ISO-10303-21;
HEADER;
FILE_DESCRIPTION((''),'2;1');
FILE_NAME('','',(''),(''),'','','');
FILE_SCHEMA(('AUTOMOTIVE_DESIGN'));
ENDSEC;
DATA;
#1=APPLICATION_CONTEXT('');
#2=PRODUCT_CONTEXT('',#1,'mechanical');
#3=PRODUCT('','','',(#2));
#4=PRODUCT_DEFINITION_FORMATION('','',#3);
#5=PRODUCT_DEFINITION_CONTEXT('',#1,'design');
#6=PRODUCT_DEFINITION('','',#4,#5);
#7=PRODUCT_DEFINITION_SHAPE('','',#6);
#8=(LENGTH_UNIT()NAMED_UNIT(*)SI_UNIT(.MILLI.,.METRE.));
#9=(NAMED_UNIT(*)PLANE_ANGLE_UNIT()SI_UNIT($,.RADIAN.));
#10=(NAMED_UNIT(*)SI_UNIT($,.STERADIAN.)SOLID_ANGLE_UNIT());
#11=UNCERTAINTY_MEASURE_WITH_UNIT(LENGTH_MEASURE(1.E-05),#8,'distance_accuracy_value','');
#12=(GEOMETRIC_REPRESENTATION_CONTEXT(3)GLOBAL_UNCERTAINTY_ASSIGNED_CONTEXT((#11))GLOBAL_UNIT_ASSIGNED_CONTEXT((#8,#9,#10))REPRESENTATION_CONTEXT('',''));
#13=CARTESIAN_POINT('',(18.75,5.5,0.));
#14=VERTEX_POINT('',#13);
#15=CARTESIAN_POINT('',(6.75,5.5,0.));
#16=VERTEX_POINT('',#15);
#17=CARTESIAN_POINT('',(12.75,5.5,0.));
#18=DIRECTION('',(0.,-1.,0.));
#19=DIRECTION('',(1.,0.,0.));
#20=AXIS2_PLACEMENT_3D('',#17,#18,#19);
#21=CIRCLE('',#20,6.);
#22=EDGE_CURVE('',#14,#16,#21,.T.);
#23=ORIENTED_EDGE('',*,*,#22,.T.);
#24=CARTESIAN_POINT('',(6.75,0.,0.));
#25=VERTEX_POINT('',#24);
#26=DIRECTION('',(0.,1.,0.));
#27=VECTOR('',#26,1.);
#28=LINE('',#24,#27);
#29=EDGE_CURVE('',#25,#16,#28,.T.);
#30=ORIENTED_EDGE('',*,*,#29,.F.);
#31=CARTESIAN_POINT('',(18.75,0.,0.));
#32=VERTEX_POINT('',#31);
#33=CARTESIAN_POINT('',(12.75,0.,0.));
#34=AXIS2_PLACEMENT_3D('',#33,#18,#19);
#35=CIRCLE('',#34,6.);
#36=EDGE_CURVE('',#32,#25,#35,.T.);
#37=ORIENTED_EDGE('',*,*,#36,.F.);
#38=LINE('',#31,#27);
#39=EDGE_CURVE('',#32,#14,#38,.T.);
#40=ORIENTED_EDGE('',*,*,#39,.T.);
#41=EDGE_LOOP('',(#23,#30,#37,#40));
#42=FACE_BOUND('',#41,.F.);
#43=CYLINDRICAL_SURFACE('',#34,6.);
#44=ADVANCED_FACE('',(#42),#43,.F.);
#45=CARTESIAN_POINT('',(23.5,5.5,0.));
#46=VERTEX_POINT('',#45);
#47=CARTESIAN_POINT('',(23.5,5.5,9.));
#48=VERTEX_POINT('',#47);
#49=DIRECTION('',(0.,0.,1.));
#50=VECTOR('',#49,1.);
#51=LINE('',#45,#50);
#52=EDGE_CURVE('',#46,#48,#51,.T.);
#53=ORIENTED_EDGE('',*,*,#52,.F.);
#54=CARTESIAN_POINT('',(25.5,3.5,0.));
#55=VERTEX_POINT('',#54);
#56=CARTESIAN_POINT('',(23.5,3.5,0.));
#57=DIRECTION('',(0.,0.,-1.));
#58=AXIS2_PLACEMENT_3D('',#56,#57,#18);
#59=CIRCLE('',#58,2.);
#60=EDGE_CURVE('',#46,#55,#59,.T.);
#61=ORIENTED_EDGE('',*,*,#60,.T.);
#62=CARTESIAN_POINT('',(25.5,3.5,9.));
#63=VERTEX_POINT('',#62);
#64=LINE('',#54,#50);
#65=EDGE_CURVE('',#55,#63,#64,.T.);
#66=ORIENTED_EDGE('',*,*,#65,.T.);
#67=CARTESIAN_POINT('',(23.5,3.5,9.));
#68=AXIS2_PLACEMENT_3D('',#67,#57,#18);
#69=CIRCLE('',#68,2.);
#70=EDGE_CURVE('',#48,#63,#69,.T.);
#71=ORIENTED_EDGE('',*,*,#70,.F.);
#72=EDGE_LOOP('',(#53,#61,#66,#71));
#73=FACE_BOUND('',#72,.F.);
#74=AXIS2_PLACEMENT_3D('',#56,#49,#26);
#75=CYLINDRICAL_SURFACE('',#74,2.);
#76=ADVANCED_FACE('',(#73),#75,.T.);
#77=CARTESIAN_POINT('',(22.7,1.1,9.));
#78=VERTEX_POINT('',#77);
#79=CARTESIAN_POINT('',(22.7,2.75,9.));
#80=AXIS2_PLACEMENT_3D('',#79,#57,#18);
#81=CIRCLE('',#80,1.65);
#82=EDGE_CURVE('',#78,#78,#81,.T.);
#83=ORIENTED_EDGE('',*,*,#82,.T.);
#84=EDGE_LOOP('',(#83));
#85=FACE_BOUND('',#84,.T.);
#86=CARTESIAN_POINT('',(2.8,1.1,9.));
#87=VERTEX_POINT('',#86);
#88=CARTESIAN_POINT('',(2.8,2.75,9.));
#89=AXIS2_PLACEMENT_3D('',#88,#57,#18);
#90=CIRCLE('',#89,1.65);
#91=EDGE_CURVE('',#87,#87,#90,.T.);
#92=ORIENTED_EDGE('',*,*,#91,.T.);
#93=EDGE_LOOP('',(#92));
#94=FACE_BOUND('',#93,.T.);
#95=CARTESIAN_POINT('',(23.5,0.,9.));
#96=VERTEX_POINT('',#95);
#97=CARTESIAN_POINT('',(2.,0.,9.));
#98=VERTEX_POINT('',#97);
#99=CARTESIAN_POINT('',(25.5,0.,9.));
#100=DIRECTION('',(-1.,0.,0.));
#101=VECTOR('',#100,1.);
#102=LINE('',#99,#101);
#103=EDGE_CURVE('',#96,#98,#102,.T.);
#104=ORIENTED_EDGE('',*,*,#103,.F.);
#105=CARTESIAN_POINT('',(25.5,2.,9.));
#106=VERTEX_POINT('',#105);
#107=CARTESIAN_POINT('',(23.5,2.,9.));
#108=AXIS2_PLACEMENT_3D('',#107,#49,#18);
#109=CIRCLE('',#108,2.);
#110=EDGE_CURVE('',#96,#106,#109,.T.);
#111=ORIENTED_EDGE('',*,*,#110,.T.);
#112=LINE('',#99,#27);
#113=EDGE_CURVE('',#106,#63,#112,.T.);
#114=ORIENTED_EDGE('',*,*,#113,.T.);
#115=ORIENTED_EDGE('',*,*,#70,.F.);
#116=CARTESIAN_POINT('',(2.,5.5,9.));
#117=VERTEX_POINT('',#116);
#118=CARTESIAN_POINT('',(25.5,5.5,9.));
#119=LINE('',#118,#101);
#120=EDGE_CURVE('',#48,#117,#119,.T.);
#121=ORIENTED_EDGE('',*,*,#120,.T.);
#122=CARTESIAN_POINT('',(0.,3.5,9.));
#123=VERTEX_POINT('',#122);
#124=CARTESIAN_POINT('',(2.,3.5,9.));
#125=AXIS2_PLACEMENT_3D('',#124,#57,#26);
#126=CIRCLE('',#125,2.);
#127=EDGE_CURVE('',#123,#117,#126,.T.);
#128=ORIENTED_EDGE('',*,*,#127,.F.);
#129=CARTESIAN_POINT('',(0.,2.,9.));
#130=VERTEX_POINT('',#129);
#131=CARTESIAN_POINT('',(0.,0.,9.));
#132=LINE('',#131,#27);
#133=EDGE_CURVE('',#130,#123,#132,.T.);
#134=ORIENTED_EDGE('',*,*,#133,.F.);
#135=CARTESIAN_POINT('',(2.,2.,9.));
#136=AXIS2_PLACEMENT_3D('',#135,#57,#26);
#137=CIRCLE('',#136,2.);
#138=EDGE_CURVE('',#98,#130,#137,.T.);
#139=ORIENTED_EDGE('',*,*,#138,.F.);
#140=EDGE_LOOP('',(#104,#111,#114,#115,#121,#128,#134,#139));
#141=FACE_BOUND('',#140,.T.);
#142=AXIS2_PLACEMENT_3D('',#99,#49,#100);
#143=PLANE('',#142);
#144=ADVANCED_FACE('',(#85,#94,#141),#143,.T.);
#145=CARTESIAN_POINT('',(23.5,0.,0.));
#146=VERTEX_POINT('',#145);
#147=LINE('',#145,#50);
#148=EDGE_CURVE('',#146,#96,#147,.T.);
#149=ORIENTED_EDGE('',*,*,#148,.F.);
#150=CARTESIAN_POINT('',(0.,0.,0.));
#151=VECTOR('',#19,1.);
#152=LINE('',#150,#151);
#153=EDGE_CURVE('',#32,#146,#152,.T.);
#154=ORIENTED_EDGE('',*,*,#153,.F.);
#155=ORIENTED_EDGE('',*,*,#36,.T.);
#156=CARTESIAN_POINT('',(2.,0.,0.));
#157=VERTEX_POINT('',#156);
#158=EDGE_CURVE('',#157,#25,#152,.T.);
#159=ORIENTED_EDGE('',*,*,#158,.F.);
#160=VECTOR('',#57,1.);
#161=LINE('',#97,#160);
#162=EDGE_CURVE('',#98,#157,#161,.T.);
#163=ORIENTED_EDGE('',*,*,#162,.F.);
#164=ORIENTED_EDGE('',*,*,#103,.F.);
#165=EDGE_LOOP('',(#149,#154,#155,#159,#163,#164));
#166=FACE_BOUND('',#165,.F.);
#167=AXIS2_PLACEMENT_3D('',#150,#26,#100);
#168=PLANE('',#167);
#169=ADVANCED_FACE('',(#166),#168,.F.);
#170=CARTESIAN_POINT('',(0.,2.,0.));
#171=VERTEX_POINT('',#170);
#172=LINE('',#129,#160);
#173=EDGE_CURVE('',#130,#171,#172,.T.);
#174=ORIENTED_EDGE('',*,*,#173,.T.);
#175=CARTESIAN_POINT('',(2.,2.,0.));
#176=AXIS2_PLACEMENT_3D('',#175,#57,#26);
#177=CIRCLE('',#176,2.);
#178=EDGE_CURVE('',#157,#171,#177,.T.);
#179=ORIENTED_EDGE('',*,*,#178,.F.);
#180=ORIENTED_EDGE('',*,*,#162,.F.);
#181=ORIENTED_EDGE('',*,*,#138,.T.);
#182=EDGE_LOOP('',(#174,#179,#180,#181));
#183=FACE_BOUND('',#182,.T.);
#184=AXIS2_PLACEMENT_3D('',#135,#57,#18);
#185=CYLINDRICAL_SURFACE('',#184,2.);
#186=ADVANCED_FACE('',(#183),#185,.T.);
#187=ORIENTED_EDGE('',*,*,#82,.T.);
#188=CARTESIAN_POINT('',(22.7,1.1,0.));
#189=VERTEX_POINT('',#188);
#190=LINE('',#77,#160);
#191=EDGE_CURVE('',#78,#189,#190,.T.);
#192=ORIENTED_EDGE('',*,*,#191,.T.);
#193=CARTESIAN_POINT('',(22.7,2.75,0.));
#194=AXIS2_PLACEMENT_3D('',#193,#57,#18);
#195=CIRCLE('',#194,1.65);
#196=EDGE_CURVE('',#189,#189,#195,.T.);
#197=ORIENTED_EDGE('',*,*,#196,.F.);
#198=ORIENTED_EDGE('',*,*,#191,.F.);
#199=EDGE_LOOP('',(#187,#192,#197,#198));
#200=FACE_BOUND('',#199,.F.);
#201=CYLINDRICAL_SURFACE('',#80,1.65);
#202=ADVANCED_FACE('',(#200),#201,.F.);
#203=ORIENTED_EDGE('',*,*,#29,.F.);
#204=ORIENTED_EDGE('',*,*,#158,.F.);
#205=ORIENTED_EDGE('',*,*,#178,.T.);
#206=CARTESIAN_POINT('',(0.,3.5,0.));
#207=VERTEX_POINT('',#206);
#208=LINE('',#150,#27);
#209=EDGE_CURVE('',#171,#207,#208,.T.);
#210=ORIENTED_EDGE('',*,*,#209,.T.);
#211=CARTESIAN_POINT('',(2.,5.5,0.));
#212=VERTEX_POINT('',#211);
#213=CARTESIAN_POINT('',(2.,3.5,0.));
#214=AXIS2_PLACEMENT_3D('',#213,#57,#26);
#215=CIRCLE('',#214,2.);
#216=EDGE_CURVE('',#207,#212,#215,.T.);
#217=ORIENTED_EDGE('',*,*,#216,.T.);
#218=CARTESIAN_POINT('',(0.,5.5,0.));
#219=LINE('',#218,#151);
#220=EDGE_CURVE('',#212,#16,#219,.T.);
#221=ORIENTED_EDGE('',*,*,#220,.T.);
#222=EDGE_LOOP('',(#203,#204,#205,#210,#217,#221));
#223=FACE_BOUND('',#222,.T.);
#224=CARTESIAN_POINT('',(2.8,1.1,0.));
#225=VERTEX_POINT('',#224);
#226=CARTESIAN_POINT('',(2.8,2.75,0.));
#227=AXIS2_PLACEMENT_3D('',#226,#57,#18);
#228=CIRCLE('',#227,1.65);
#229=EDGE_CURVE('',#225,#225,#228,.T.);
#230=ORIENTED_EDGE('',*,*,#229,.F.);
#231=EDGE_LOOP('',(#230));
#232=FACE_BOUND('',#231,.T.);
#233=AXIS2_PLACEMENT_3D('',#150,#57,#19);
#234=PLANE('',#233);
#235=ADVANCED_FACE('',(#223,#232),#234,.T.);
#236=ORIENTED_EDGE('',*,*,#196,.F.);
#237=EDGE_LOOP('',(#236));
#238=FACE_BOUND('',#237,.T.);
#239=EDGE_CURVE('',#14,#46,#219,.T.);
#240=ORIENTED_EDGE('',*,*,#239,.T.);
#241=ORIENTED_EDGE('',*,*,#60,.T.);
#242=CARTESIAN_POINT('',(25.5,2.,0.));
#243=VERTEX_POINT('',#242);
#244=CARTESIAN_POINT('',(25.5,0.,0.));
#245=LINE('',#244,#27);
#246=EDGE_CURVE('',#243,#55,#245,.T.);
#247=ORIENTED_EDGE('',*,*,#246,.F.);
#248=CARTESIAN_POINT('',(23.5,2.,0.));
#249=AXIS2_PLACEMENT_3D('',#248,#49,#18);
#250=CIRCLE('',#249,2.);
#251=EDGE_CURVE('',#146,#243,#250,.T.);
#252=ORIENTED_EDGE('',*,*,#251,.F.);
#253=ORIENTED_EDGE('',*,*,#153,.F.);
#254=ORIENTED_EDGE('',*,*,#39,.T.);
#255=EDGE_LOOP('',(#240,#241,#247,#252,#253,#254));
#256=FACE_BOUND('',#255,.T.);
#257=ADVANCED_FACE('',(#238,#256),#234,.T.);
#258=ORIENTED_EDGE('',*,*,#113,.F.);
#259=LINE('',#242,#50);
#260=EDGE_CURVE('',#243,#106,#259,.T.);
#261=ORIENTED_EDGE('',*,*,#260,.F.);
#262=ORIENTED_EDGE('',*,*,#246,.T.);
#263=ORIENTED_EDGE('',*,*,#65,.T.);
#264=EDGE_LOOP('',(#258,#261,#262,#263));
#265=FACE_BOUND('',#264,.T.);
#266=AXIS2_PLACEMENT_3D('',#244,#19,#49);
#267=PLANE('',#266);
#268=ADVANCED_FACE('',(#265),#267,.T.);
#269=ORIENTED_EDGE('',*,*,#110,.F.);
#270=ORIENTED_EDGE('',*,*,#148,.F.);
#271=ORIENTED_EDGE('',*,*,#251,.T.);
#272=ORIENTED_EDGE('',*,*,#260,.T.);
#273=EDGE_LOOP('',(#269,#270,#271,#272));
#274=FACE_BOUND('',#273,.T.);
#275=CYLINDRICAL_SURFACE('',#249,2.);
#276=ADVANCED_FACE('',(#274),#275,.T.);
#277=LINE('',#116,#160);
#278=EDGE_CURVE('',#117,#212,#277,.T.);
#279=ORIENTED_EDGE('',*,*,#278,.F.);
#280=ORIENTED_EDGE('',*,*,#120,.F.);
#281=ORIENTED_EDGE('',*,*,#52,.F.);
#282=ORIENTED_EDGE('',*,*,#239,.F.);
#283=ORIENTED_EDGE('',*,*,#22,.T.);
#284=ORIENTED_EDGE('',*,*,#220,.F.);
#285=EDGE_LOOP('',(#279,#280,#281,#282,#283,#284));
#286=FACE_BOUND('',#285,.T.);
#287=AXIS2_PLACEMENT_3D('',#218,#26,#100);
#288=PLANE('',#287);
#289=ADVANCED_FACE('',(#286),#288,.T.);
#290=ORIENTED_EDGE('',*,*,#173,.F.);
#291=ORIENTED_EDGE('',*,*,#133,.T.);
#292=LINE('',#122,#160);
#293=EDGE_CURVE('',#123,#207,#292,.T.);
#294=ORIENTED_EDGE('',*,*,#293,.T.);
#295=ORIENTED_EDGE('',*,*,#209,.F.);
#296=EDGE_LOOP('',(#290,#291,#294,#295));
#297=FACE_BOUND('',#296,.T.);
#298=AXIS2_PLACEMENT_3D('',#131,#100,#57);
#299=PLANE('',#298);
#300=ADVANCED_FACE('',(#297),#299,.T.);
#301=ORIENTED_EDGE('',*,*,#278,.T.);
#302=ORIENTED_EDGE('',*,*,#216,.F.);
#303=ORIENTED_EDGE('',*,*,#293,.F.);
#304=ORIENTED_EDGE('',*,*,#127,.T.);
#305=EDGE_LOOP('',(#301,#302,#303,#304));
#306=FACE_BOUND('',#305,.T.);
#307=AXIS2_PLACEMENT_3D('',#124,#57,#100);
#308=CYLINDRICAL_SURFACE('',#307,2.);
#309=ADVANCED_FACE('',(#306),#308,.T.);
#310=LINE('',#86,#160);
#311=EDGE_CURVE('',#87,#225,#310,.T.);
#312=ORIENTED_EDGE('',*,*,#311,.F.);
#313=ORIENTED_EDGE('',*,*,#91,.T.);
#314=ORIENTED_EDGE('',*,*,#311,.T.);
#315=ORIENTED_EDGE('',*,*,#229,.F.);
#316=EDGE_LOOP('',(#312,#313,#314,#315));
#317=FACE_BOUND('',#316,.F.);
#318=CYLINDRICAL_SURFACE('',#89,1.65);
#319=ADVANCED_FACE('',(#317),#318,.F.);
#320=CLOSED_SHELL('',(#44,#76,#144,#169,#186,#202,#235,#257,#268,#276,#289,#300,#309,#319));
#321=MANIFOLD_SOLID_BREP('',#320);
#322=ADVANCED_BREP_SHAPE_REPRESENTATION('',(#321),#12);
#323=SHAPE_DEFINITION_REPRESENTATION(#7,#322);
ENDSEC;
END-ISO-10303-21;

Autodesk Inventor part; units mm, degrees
ref_plane "YZ Plane" through (0, 0, 0) normal (1, 0, 0) x (0, 1, 0)
ref_plane "XZ Plane" through (0, 0, 0) normal (0, 1, 0) x (-1, 0, 0)
ref_plane "XY Plane" through (0, 0, 0) normal (0, 0, 1) x (1, 0, 0)
sketch "Skizze1" plane through (0, 0, 0) normal (0, 1, 0) x (-1, 0, 0)
  line L0 (0, 0) -> (-25.5, 0)
  line L1 (-25.5, 0) -> (-25.5, 9)
  line L2 (-25.5, 9) -> (0, 9)
  line L3 (0, 9) -> (0, 0)
  dimension "d0" = 25.5
  dimension "d1" = 9
extrude "Extrusion1" add sketch "Skizze1" along normal blind 5.5
sketch "Skizze2" plane through (0, 0, 0) normal (0, -1, 0) x (1, 0, 0)
  line L0 (25.5, 0) -> (0, 0) projected
  arc A0 (18.75, 0) -> (6.75, 0) centre (12.75, 0) ccw
  dimension "d4" = 12
extrude "Extrusion2" cut sketch "Skizze2" against normal through all
sketch "Skizze5" plane through (0, 0, 9) normal (0, 0, 1) x (1, 0, 0)
  line L0 (0, 0) -> (0, 5.5) construction
  line L1 (0, 2.75) -> (25.5934, 2.75) construction
  line L2 (25.5, 0) -> (0, 0) construction
  line L3 (12.75, 0) -> (12.75, 5.5) construction
  line L4 (0, 5.5) -> (25.5, 5.5) construction
  point P0 (2.8, 2.75)
  point P1 (22.7, 2.75)
  dimension "d33" = 2.8
hole "Bohrung4" at (2.8, 2.75, 9) at (22.7, 2.75, 9) direction (0, 0, -1) diameter 3.3 end through all
fillet "Rundung1" radius 2 4 edges at (25.5, 0, 4.5) (25.5, 5.5, 4.5) (0, 0, 4.5) (0, 5.5, 4.5)
properties part number "Motorhalterung_oben" material "ABS-Kunststoff"
